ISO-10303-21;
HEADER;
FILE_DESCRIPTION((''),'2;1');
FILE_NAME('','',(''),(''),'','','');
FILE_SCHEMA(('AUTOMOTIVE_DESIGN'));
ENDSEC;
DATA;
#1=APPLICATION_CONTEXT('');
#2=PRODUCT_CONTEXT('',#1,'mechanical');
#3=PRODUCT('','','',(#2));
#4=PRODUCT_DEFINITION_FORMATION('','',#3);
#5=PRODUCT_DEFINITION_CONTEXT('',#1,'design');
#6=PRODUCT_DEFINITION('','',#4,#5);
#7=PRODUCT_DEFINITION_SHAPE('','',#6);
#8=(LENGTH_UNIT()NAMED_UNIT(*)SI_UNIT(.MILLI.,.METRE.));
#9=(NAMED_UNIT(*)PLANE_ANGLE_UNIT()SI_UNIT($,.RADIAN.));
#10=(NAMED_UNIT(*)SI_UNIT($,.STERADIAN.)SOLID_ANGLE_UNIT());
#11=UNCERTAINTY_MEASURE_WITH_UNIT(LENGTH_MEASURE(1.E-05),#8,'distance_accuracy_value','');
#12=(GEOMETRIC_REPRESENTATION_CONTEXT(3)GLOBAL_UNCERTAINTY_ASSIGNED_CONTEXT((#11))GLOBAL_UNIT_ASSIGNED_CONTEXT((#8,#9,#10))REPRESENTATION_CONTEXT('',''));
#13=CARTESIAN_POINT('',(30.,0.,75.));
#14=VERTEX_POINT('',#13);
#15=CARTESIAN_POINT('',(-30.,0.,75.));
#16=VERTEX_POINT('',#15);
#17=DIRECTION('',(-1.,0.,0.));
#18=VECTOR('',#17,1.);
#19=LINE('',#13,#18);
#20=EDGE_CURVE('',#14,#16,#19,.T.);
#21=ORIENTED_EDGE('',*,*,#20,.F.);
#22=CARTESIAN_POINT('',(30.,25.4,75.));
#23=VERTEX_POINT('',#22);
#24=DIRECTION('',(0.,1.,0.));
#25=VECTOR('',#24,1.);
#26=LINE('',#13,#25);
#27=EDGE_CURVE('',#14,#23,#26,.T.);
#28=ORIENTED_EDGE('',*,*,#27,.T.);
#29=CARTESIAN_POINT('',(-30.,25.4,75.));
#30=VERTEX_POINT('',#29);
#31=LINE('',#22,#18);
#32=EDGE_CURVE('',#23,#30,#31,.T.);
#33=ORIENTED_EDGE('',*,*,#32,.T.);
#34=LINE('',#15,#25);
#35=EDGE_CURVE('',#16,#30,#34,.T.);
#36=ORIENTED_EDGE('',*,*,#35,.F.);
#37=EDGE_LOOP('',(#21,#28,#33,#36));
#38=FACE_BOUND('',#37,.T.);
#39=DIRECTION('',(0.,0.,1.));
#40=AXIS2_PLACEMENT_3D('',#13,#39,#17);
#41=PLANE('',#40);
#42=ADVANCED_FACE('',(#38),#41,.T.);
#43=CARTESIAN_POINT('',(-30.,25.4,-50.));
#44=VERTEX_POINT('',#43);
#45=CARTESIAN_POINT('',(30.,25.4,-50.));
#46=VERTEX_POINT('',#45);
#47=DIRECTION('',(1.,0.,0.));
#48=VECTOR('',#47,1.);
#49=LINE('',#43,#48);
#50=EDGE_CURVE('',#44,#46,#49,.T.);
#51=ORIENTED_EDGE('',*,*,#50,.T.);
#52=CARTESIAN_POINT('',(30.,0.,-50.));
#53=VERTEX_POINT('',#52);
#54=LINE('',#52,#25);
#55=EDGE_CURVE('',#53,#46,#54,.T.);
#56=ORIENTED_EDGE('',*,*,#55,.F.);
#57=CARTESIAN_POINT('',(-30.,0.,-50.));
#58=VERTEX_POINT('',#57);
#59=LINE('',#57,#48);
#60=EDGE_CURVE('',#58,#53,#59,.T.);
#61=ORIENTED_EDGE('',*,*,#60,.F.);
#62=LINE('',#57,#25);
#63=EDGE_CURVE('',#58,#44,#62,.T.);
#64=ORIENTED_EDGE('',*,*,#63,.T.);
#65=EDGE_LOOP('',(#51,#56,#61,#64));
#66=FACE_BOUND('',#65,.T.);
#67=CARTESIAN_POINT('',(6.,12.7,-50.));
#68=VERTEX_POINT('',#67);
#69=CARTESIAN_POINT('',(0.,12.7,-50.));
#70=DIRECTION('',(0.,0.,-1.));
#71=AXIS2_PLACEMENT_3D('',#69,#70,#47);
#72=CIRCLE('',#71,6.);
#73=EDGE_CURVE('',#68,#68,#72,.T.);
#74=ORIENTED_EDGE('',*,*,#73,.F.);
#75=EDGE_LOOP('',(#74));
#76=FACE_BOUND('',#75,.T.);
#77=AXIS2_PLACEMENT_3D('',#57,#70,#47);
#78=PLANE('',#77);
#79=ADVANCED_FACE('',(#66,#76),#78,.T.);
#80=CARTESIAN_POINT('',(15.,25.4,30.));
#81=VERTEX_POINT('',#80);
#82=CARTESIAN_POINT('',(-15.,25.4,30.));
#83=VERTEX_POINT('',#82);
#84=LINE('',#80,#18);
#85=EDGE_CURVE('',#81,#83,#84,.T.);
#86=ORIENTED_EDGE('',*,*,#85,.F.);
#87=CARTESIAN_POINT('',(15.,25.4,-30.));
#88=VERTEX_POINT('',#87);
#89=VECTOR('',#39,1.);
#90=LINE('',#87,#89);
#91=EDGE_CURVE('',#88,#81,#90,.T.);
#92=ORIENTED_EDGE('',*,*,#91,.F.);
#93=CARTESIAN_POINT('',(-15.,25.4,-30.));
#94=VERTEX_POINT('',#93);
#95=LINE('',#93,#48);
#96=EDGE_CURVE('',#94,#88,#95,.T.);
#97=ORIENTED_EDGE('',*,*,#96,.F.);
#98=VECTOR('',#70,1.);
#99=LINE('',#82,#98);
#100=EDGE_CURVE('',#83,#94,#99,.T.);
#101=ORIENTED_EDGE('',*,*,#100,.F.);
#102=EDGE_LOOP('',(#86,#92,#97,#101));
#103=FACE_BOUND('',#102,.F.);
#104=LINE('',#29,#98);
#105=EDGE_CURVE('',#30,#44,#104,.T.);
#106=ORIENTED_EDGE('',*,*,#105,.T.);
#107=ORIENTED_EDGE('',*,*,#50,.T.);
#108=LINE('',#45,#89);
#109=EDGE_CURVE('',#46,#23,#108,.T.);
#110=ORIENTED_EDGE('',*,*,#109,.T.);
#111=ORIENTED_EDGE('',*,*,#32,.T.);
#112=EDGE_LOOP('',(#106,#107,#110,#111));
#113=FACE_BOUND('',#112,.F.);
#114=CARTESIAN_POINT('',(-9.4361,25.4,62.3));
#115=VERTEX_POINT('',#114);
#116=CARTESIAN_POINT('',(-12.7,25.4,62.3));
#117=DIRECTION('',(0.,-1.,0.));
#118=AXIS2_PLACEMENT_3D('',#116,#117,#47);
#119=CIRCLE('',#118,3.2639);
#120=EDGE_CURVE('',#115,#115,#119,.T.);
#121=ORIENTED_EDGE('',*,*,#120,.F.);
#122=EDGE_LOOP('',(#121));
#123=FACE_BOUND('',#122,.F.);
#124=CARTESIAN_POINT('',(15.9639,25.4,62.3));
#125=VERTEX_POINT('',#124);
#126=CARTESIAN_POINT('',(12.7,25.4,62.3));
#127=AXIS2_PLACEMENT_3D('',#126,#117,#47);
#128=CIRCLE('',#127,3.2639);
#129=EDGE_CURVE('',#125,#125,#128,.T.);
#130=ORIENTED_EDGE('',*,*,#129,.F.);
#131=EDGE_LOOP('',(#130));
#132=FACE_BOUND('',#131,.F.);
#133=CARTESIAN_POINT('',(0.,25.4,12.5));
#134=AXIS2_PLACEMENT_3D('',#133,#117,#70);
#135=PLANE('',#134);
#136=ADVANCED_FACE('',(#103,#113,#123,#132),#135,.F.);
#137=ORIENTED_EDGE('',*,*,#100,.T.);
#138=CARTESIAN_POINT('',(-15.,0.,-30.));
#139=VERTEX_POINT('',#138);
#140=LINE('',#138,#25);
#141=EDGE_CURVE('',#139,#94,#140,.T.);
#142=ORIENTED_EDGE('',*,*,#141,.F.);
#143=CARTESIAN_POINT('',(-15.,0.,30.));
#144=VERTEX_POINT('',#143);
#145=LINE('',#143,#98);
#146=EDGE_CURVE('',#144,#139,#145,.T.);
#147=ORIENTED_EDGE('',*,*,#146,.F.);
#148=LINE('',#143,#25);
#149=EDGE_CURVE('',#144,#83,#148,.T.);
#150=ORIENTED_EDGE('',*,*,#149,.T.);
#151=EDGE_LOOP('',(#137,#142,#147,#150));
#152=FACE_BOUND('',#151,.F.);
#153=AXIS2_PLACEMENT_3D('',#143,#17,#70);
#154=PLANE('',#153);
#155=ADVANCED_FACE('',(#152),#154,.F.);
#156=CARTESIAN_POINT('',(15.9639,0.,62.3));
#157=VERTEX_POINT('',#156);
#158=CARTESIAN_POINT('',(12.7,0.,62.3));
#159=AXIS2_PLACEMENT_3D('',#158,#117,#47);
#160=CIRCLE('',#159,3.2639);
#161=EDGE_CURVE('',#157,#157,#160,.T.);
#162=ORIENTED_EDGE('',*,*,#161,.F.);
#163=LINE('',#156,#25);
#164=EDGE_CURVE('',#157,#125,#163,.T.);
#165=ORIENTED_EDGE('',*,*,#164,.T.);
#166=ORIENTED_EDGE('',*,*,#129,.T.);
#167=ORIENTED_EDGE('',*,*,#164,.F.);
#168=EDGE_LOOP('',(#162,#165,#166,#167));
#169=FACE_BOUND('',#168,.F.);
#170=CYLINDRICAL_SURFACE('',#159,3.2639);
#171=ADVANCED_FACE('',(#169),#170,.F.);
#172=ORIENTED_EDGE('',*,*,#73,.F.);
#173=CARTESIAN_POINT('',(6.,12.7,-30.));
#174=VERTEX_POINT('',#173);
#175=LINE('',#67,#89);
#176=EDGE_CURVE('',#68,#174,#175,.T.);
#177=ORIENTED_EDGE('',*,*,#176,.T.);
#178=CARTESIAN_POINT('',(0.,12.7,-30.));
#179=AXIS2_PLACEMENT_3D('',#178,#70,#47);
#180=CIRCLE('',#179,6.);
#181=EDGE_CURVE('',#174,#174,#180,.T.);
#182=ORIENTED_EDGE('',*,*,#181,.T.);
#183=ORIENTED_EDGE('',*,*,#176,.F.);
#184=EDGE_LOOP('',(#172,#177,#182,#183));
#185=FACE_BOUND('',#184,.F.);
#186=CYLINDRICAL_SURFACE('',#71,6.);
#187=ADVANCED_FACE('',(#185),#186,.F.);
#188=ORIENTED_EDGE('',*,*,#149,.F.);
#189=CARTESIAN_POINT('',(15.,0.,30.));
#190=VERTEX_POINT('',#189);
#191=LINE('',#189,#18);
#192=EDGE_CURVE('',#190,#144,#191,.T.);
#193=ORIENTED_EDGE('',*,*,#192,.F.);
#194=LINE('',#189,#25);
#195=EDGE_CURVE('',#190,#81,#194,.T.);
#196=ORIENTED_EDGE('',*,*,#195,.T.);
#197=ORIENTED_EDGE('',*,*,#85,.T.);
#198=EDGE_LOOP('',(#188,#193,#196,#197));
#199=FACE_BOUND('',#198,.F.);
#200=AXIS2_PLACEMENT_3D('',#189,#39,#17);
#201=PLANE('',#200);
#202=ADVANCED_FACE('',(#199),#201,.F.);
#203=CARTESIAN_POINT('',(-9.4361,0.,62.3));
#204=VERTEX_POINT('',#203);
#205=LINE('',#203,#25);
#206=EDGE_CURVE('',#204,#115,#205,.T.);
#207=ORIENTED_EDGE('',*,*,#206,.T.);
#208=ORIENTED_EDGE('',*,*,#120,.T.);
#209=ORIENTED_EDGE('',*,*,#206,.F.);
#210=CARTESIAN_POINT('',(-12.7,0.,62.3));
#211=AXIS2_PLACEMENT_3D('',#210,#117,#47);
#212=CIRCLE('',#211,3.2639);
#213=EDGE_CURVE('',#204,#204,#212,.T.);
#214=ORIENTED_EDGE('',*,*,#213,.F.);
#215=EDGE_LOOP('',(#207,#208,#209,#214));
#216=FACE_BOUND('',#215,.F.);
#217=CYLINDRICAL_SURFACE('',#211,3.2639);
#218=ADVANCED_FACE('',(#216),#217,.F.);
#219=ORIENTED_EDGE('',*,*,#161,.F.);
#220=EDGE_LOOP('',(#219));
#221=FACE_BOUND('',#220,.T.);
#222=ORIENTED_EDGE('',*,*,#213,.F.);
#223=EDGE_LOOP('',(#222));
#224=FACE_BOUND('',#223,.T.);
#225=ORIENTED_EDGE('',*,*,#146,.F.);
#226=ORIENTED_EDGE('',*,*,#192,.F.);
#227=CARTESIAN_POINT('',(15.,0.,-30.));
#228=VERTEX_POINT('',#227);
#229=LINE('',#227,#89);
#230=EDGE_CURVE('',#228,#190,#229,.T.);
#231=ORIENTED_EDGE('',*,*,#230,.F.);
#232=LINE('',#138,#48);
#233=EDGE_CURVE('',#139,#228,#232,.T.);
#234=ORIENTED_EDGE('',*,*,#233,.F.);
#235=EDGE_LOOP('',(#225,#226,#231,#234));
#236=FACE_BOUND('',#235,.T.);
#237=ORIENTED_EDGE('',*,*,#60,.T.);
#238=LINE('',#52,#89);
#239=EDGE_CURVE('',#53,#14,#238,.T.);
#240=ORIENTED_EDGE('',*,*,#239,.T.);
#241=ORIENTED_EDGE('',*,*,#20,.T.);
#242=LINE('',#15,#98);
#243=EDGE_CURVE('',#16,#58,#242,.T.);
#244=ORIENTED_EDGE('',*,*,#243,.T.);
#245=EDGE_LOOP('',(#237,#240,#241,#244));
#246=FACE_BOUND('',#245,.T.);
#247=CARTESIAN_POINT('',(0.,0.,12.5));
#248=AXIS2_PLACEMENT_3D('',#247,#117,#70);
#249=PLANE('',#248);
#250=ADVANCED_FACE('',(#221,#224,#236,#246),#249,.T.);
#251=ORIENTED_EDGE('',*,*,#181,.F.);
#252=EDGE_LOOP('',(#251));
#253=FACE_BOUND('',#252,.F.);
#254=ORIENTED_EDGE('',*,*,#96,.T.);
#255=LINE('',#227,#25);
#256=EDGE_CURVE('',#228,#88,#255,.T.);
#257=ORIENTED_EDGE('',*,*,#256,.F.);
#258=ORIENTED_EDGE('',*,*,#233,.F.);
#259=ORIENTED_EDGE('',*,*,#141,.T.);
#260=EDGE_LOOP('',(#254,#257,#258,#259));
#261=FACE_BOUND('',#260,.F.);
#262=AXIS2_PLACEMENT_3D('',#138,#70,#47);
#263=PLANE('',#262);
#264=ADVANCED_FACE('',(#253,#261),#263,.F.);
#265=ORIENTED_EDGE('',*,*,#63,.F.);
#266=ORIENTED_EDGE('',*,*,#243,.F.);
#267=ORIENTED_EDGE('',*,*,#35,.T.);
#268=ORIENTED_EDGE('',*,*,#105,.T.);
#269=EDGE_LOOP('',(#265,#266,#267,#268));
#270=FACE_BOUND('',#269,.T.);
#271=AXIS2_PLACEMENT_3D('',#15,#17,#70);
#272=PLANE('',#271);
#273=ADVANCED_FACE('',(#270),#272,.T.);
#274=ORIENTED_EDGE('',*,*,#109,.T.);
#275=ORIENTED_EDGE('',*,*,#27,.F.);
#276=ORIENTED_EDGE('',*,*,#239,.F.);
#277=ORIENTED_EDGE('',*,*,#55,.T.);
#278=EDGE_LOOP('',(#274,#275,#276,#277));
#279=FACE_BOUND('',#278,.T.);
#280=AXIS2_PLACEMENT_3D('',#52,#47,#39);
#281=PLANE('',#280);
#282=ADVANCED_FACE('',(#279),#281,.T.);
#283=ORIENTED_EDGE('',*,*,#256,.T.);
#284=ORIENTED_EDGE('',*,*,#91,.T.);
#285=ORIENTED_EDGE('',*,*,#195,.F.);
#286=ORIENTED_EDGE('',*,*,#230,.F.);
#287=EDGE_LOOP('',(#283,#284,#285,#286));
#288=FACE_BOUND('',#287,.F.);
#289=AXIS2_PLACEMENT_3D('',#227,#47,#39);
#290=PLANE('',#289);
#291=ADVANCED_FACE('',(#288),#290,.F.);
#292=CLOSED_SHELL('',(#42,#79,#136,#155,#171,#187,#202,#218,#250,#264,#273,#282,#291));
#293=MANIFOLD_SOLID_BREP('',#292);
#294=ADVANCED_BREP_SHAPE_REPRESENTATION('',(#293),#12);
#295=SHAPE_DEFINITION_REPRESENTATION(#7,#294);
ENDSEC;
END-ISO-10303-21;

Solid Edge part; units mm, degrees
sketch "Sketch1" plane through (0, 0, 0) normal (0, -1, 0) x (1, 0, 0)
  line L0 (15, 30) -> (-15, 30)
  line L1 (-15, 30) -> (-15, -30)
  line L2 (-15, -30) -> (15, -30)
  line L3 (15, -30) -> (15, 30)
  line L4 (30, -50) -> (30, 75)
  line L5 (30, 75) -> (-30, 75)
  line L6 (-30, 75) -> (-30, -50)
  line L7 (-30, -50) -> (30, -50)
  circle A0 centre (-12.7, 62.3) radius 3.2639
  circle A1 centre (12.7, 62.3) radius 3.2639
  dimension "D1" = 125
  dimension "D2" = 30
  dimension "D3" = 20
  dimension "D4" = 60
  dimension "D5" = 60
  dimension "D6" = 6.5278
  dimension "D7" = 25.4
  dimension "D8" = 12.7
  dimension "D9" = 12.7
extrude "Protrusion1" add sketch "Sketch1" against normal blind 25.4
sketch "Sketch2" plane through (0, 10, -50) normal (0, 0, -1) x (1, 0, 0)
  circle A0 centre (0, -2.7) radius 6
extrude "Cutout1" cut sketch "Sketch2" against normal up to next
